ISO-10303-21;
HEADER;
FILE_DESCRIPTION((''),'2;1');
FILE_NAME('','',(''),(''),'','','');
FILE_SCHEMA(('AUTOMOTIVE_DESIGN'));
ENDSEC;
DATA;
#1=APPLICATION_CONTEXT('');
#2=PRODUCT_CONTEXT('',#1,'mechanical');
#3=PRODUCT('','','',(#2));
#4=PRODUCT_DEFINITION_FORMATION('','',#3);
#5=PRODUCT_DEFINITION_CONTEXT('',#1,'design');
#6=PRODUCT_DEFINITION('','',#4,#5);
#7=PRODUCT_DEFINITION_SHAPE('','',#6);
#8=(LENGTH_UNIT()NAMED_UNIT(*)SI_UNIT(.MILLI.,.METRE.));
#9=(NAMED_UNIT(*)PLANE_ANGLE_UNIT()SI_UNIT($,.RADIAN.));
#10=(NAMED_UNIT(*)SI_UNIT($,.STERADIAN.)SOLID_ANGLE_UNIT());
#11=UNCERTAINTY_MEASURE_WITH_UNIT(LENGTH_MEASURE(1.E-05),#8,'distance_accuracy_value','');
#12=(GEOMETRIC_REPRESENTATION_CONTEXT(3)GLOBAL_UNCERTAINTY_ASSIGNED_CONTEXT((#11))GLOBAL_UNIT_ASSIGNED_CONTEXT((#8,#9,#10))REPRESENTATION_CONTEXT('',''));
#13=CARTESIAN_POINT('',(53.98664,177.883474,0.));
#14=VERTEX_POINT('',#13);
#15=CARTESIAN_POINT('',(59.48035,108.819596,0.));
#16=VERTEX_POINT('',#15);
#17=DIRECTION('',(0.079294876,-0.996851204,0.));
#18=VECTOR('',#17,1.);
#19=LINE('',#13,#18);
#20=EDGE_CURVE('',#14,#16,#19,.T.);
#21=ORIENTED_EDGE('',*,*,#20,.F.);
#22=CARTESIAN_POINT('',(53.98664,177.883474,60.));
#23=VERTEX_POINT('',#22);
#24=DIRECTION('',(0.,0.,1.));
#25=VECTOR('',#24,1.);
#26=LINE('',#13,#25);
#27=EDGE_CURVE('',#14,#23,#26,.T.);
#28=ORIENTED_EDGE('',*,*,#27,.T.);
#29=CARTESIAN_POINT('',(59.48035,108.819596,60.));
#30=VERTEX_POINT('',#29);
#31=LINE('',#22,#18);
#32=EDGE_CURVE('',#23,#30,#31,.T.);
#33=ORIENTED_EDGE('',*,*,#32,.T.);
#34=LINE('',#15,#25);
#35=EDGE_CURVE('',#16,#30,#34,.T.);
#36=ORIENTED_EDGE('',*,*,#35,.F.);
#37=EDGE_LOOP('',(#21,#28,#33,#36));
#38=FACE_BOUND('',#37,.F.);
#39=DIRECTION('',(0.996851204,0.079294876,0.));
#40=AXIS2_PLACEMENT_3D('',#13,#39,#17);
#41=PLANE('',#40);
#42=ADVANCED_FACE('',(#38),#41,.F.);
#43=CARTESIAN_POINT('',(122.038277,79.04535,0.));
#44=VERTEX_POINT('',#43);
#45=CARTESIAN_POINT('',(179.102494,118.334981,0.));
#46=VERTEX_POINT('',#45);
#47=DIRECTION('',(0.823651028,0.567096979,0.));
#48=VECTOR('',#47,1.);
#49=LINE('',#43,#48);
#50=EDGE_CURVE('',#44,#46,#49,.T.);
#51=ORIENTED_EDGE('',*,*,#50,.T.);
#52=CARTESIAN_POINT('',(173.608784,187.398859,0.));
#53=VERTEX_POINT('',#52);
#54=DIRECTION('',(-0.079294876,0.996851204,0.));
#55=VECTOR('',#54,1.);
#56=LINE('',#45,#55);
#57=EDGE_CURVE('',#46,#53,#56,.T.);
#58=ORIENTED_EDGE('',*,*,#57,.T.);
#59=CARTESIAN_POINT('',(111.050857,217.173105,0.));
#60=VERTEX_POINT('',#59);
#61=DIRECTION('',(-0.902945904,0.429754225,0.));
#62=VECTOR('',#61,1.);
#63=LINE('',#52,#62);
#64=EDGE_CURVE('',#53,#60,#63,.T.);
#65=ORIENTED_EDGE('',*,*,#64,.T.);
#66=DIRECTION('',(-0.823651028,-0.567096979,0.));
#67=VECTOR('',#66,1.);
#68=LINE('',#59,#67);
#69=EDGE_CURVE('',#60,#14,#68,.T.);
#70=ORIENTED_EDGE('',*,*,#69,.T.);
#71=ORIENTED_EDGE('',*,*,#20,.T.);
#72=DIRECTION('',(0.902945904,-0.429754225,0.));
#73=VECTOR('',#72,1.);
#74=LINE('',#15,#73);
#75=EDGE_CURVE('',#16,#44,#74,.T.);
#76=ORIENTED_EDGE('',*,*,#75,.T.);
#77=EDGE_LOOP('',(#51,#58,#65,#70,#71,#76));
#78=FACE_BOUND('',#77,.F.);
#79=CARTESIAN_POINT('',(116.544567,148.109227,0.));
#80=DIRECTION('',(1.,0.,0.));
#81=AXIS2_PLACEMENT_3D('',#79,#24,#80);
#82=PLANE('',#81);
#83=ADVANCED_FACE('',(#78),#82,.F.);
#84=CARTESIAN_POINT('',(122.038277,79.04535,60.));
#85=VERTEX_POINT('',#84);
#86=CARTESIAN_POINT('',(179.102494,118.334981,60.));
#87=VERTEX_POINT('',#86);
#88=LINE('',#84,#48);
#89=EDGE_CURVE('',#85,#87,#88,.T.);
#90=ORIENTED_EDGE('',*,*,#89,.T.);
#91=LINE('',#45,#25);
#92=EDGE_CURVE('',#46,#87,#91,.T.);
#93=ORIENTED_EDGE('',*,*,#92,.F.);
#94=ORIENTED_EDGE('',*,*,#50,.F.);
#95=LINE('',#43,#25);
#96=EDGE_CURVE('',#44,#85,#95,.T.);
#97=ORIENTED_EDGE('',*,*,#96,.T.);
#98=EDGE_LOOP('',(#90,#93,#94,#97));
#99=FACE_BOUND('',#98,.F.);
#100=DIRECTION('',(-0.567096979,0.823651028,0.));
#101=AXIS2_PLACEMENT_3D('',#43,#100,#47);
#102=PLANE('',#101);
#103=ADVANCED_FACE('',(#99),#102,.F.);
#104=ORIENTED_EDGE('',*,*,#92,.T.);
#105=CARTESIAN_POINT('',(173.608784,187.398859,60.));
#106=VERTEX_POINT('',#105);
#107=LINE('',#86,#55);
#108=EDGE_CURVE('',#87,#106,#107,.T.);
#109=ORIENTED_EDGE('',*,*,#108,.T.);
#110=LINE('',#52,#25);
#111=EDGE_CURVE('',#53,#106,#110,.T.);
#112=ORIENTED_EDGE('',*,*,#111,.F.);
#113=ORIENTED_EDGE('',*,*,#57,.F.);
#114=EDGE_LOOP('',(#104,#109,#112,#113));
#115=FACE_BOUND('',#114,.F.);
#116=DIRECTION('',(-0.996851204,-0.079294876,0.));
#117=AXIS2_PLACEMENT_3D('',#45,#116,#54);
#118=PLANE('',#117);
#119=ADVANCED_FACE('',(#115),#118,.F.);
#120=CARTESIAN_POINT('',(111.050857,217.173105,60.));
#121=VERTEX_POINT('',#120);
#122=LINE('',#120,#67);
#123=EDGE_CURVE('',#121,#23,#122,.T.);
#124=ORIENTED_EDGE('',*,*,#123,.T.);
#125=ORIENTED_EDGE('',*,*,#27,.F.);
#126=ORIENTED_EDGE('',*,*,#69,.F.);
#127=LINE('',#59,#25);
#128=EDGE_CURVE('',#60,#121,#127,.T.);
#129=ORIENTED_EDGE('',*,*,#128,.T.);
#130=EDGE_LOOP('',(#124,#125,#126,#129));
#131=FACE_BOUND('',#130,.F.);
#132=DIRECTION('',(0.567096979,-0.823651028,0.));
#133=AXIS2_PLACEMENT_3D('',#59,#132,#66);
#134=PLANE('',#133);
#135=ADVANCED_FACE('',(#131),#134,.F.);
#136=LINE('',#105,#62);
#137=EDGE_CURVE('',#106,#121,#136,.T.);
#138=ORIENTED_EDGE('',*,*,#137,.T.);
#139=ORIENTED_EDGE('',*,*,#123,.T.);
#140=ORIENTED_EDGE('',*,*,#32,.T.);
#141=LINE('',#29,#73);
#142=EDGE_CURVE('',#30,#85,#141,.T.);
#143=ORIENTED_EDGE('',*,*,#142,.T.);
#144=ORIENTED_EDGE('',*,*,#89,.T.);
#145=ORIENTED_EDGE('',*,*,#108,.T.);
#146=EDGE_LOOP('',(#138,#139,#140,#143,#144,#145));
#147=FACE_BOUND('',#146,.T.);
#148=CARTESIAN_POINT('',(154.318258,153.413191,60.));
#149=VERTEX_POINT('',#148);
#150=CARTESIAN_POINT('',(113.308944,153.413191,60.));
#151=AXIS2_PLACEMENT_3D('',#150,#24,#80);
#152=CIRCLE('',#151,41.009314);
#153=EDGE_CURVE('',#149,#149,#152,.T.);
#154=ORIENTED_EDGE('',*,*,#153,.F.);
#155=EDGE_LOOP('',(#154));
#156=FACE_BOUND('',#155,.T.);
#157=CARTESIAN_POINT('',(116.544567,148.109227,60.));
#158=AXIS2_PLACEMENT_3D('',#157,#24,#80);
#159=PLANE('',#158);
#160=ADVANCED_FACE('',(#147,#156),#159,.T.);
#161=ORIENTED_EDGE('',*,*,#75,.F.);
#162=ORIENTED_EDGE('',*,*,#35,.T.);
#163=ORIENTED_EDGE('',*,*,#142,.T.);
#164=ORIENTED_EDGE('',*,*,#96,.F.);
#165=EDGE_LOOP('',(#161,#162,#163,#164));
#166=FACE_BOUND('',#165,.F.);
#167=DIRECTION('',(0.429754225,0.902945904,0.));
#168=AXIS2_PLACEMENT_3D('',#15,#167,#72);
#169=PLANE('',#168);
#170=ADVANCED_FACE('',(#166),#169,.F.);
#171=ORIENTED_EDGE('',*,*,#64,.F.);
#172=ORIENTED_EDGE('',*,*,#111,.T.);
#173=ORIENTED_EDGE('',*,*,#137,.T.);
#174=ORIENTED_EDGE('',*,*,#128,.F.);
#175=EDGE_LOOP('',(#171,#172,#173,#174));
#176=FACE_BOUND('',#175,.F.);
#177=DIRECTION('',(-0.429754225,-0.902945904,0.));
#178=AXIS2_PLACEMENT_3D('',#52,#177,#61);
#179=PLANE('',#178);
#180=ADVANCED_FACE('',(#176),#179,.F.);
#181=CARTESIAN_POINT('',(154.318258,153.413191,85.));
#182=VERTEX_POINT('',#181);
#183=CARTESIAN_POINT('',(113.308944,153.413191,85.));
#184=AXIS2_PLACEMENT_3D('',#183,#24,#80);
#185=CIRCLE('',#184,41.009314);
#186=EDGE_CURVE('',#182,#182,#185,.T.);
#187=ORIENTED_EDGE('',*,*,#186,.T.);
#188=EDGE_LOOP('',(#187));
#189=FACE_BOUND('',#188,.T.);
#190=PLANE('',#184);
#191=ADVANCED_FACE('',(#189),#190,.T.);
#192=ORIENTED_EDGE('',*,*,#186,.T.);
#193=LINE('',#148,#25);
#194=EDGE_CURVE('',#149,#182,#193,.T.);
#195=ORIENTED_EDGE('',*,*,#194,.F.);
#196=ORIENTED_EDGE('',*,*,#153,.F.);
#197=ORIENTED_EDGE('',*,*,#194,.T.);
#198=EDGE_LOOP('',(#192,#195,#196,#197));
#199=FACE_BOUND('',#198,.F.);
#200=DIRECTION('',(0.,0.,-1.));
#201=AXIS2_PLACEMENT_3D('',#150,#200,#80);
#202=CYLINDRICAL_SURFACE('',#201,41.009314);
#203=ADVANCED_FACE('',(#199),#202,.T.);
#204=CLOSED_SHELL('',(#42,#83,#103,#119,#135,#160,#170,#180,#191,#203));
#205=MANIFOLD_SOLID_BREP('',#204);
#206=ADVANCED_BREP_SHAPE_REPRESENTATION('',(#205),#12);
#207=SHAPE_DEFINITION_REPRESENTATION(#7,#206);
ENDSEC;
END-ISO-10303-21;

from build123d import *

# Parameters (mm, degrees)
F1_DEPTH = 60
F2_R     = 41.0093140969
F3_DEPTH = 25


with BuildPart() as f1:
    # F0 (on Top) → F1 (new body)
    with BuildSketch(Plane.XY):
        Polygon((111.0508568783, 217.1731047251), (53.9866397324, 177.8834735035), (59.4803499027, 108.8195961973), (122.0382772188, 79.0453501127), (179.1024943647, 118.3349813343), (173.6087841944, 187.3988586405), align=None)
    extrude(amount=F1_DEPTH)

    # F2 (on face) → F3 (join)
    with BuildSketch(Plane.XY.offset(60)):
        with Locations((113.3089438081, 153.4131914377)):
            Circle(F2_R)
    extrude(amount=F3_DEPTH)


solid = f1.part
